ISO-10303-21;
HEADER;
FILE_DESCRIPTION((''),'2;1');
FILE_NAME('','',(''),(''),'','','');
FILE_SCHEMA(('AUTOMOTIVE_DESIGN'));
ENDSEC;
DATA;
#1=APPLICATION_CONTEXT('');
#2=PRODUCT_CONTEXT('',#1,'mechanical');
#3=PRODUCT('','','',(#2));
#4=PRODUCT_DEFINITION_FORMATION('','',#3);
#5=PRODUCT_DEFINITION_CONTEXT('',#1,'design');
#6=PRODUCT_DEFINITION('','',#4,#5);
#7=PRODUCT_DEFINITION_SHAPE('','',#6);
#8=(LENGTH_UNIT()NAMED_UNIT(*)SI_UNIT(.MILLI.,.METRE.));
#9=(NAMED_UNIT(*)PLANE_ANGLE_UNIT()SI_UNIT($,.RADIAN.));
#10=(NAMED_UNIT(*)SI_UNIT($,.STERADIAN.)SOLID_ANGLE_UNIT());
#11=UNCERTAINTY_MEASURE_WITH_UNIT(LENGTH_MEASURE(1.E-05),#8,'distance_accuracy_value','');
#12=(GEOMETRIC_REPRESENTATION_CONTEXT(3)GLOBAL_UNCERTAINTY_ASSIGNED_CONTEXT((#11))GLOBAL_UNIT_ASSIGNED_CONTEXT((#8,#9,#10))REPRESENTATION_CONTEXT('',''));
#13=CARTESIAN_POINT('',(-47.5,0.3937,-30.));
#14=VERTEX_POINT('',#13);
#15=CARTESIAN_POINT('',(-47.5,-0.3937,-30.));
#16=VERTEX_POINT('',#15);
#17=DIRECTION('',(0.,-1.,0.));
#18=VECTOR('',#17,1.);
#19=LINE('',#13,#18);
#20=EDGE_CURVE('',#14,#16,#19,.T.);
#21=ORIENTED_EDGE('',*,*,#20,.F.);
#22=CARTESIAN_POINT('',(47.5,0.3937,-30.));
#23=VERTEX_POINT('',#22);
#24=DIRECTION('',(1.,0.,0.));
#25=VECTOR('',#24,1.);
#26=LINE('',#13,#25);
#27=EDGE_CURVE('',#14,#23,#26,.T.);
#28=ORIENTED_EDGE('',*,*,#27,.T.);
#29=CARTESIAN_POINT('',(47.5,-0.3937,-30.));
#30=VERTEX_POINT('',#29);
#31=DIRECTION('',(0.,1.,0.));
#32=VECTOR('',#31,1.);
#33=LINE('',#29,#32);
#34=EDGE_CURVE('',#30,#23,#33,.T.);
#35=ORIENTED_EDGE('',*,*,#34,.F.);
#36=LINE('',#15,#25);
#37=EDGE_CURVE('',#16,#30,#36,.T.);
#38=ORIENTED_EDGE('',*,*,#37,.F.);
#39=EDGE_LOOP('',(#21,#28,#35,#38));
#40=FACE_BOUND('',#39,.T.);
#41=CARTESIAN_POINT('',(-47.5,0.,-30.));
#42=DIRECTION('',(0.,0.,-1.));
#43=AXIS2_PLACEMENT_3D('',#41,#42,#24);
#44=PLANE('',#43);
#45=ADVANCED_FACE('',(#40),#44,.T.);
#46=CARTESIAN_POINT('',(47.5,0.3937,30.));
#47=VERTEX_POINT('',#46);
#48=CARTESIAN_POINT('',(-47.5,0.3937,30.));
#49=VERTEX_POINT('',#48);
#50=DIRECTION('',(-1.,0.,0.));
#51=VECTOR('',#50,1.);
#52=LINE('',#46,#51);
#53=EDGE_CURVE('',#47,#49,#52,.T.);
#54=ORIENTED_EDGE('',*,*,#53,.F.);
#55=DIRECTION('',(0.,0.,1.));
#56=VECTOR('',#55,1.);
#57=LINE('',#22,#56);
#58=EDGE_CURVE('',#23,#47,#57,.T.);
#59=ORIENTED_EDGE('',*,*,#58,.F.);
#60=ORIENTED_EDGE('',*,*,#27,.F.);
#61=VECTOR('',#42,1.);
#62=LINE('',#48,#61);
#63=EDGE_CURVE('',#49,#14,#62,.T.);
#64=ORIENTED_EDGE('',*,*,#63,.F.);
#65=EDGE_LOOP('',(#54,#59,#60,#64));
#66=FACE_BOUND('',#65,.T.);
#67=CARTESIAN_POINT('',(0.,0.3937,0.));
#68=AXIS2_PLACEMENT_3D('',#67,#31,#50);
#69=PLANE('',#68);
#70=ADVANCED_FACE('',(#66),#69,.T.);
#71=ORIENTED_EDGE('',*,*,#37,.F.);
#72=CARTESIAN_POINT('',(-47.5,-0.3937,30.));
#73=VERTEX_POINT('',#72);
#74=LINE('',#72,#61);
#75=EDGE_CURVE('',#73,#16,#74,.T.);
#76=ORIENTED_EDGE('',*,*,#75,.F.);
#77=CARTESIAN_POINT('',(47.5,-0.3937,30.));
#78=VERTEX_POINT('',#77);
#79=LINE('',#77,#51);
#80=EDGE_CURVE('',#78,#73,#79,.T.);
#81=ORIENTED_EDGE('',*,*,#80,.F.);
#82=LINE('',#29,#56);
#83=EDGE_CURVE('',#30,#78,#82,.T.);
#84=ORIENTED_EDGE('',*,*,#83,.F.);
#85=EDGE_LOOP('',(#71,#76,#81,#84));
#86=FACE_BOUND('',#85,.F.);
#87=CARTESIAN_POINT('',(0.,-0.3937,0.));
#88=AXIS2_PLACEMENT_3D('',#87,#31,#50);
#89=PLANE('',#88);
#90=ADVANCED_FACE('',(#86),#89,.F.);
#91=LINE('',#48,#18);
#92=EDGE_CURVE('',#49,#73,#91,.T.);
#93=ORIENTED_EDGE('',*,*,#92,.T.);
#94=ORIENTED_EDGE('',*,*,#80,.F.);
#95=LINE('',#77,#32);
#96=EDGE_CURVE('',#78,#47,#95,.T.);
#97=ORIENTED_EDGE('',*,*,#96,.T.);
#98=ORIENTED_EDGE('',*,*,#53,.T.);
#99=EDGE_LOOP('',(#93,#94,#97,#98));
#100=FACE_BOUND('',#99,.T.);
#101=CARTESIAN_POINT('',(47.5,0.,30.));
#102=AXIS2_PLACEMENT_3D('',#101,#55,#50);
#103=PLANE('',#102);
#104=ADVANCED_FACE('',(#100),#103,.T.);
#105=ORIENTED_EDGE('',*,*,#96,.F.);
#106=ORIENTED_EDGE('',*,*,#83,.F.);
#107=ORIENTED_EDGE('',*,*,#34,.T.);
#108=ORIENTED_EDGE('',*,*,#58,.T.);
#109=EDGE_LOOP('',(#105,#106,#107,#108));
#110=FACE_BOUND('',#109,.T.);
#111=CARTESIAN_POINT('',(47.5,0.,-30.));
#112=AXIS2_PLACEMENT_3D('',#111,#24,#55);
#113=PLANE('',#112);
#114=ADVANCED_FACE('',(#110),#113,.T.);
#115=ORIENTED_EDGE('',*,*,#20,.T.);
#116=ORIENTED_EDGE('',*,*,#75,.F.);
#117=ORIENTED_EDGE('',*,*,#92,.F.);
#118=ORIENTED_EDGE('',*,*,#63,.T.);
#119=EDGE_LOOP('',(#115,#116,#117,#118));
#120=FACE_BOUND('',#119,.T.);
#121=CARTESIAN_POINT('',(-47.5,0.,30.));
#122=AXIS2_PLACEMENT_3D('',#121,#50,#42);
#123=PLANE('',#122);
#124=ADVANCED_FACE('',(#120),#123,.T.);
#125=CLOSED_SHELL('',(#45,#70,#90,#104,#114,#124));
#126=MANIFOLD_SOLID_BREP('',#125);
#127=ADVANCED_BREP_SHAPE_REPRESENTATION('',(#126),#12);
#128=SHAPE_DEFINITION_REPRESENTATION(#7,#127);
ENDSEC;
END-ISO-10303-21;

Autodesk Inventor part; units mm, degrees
ref_plane "YZ Plane" through (0, 0, 0) normal (1, 0, 0) x (0, 1, 0)
ref_plane "XZ Plane" through (0, 0, 0) normal (0, 1, 0) x (-1, 0, 0)
ref_plane "XY Plane" through (0, 0, 0) normal (0, 0, 1) x (1, 0, 0)
sketch "Sketch1" plane through (0, 0, 0) normal (0, 1, 0) x (-1, 0, 0)
  line L0 (-47.5, 30) -> (47.5, 30)
  line L1 (47.5, 30) -> (47.5, -30)
  line L2 (47.5, -30) -> (-47.5, -30)
  line L3 (-47.5, -30) -> (-47.5, 30)
  line L4 (-47.5, 30) -> (47.5, -30) construction
  line L5 (47.5, 30) -> (-47.5, -30) construction
  point P0 (0, 0)
  dimension "d0" = 95
  dimension "d1" = 60
extrude "Extrusion1" add sketch "Sketch1" along normal mid plane 0.7874
properties part number "95x60mm-PCB"
